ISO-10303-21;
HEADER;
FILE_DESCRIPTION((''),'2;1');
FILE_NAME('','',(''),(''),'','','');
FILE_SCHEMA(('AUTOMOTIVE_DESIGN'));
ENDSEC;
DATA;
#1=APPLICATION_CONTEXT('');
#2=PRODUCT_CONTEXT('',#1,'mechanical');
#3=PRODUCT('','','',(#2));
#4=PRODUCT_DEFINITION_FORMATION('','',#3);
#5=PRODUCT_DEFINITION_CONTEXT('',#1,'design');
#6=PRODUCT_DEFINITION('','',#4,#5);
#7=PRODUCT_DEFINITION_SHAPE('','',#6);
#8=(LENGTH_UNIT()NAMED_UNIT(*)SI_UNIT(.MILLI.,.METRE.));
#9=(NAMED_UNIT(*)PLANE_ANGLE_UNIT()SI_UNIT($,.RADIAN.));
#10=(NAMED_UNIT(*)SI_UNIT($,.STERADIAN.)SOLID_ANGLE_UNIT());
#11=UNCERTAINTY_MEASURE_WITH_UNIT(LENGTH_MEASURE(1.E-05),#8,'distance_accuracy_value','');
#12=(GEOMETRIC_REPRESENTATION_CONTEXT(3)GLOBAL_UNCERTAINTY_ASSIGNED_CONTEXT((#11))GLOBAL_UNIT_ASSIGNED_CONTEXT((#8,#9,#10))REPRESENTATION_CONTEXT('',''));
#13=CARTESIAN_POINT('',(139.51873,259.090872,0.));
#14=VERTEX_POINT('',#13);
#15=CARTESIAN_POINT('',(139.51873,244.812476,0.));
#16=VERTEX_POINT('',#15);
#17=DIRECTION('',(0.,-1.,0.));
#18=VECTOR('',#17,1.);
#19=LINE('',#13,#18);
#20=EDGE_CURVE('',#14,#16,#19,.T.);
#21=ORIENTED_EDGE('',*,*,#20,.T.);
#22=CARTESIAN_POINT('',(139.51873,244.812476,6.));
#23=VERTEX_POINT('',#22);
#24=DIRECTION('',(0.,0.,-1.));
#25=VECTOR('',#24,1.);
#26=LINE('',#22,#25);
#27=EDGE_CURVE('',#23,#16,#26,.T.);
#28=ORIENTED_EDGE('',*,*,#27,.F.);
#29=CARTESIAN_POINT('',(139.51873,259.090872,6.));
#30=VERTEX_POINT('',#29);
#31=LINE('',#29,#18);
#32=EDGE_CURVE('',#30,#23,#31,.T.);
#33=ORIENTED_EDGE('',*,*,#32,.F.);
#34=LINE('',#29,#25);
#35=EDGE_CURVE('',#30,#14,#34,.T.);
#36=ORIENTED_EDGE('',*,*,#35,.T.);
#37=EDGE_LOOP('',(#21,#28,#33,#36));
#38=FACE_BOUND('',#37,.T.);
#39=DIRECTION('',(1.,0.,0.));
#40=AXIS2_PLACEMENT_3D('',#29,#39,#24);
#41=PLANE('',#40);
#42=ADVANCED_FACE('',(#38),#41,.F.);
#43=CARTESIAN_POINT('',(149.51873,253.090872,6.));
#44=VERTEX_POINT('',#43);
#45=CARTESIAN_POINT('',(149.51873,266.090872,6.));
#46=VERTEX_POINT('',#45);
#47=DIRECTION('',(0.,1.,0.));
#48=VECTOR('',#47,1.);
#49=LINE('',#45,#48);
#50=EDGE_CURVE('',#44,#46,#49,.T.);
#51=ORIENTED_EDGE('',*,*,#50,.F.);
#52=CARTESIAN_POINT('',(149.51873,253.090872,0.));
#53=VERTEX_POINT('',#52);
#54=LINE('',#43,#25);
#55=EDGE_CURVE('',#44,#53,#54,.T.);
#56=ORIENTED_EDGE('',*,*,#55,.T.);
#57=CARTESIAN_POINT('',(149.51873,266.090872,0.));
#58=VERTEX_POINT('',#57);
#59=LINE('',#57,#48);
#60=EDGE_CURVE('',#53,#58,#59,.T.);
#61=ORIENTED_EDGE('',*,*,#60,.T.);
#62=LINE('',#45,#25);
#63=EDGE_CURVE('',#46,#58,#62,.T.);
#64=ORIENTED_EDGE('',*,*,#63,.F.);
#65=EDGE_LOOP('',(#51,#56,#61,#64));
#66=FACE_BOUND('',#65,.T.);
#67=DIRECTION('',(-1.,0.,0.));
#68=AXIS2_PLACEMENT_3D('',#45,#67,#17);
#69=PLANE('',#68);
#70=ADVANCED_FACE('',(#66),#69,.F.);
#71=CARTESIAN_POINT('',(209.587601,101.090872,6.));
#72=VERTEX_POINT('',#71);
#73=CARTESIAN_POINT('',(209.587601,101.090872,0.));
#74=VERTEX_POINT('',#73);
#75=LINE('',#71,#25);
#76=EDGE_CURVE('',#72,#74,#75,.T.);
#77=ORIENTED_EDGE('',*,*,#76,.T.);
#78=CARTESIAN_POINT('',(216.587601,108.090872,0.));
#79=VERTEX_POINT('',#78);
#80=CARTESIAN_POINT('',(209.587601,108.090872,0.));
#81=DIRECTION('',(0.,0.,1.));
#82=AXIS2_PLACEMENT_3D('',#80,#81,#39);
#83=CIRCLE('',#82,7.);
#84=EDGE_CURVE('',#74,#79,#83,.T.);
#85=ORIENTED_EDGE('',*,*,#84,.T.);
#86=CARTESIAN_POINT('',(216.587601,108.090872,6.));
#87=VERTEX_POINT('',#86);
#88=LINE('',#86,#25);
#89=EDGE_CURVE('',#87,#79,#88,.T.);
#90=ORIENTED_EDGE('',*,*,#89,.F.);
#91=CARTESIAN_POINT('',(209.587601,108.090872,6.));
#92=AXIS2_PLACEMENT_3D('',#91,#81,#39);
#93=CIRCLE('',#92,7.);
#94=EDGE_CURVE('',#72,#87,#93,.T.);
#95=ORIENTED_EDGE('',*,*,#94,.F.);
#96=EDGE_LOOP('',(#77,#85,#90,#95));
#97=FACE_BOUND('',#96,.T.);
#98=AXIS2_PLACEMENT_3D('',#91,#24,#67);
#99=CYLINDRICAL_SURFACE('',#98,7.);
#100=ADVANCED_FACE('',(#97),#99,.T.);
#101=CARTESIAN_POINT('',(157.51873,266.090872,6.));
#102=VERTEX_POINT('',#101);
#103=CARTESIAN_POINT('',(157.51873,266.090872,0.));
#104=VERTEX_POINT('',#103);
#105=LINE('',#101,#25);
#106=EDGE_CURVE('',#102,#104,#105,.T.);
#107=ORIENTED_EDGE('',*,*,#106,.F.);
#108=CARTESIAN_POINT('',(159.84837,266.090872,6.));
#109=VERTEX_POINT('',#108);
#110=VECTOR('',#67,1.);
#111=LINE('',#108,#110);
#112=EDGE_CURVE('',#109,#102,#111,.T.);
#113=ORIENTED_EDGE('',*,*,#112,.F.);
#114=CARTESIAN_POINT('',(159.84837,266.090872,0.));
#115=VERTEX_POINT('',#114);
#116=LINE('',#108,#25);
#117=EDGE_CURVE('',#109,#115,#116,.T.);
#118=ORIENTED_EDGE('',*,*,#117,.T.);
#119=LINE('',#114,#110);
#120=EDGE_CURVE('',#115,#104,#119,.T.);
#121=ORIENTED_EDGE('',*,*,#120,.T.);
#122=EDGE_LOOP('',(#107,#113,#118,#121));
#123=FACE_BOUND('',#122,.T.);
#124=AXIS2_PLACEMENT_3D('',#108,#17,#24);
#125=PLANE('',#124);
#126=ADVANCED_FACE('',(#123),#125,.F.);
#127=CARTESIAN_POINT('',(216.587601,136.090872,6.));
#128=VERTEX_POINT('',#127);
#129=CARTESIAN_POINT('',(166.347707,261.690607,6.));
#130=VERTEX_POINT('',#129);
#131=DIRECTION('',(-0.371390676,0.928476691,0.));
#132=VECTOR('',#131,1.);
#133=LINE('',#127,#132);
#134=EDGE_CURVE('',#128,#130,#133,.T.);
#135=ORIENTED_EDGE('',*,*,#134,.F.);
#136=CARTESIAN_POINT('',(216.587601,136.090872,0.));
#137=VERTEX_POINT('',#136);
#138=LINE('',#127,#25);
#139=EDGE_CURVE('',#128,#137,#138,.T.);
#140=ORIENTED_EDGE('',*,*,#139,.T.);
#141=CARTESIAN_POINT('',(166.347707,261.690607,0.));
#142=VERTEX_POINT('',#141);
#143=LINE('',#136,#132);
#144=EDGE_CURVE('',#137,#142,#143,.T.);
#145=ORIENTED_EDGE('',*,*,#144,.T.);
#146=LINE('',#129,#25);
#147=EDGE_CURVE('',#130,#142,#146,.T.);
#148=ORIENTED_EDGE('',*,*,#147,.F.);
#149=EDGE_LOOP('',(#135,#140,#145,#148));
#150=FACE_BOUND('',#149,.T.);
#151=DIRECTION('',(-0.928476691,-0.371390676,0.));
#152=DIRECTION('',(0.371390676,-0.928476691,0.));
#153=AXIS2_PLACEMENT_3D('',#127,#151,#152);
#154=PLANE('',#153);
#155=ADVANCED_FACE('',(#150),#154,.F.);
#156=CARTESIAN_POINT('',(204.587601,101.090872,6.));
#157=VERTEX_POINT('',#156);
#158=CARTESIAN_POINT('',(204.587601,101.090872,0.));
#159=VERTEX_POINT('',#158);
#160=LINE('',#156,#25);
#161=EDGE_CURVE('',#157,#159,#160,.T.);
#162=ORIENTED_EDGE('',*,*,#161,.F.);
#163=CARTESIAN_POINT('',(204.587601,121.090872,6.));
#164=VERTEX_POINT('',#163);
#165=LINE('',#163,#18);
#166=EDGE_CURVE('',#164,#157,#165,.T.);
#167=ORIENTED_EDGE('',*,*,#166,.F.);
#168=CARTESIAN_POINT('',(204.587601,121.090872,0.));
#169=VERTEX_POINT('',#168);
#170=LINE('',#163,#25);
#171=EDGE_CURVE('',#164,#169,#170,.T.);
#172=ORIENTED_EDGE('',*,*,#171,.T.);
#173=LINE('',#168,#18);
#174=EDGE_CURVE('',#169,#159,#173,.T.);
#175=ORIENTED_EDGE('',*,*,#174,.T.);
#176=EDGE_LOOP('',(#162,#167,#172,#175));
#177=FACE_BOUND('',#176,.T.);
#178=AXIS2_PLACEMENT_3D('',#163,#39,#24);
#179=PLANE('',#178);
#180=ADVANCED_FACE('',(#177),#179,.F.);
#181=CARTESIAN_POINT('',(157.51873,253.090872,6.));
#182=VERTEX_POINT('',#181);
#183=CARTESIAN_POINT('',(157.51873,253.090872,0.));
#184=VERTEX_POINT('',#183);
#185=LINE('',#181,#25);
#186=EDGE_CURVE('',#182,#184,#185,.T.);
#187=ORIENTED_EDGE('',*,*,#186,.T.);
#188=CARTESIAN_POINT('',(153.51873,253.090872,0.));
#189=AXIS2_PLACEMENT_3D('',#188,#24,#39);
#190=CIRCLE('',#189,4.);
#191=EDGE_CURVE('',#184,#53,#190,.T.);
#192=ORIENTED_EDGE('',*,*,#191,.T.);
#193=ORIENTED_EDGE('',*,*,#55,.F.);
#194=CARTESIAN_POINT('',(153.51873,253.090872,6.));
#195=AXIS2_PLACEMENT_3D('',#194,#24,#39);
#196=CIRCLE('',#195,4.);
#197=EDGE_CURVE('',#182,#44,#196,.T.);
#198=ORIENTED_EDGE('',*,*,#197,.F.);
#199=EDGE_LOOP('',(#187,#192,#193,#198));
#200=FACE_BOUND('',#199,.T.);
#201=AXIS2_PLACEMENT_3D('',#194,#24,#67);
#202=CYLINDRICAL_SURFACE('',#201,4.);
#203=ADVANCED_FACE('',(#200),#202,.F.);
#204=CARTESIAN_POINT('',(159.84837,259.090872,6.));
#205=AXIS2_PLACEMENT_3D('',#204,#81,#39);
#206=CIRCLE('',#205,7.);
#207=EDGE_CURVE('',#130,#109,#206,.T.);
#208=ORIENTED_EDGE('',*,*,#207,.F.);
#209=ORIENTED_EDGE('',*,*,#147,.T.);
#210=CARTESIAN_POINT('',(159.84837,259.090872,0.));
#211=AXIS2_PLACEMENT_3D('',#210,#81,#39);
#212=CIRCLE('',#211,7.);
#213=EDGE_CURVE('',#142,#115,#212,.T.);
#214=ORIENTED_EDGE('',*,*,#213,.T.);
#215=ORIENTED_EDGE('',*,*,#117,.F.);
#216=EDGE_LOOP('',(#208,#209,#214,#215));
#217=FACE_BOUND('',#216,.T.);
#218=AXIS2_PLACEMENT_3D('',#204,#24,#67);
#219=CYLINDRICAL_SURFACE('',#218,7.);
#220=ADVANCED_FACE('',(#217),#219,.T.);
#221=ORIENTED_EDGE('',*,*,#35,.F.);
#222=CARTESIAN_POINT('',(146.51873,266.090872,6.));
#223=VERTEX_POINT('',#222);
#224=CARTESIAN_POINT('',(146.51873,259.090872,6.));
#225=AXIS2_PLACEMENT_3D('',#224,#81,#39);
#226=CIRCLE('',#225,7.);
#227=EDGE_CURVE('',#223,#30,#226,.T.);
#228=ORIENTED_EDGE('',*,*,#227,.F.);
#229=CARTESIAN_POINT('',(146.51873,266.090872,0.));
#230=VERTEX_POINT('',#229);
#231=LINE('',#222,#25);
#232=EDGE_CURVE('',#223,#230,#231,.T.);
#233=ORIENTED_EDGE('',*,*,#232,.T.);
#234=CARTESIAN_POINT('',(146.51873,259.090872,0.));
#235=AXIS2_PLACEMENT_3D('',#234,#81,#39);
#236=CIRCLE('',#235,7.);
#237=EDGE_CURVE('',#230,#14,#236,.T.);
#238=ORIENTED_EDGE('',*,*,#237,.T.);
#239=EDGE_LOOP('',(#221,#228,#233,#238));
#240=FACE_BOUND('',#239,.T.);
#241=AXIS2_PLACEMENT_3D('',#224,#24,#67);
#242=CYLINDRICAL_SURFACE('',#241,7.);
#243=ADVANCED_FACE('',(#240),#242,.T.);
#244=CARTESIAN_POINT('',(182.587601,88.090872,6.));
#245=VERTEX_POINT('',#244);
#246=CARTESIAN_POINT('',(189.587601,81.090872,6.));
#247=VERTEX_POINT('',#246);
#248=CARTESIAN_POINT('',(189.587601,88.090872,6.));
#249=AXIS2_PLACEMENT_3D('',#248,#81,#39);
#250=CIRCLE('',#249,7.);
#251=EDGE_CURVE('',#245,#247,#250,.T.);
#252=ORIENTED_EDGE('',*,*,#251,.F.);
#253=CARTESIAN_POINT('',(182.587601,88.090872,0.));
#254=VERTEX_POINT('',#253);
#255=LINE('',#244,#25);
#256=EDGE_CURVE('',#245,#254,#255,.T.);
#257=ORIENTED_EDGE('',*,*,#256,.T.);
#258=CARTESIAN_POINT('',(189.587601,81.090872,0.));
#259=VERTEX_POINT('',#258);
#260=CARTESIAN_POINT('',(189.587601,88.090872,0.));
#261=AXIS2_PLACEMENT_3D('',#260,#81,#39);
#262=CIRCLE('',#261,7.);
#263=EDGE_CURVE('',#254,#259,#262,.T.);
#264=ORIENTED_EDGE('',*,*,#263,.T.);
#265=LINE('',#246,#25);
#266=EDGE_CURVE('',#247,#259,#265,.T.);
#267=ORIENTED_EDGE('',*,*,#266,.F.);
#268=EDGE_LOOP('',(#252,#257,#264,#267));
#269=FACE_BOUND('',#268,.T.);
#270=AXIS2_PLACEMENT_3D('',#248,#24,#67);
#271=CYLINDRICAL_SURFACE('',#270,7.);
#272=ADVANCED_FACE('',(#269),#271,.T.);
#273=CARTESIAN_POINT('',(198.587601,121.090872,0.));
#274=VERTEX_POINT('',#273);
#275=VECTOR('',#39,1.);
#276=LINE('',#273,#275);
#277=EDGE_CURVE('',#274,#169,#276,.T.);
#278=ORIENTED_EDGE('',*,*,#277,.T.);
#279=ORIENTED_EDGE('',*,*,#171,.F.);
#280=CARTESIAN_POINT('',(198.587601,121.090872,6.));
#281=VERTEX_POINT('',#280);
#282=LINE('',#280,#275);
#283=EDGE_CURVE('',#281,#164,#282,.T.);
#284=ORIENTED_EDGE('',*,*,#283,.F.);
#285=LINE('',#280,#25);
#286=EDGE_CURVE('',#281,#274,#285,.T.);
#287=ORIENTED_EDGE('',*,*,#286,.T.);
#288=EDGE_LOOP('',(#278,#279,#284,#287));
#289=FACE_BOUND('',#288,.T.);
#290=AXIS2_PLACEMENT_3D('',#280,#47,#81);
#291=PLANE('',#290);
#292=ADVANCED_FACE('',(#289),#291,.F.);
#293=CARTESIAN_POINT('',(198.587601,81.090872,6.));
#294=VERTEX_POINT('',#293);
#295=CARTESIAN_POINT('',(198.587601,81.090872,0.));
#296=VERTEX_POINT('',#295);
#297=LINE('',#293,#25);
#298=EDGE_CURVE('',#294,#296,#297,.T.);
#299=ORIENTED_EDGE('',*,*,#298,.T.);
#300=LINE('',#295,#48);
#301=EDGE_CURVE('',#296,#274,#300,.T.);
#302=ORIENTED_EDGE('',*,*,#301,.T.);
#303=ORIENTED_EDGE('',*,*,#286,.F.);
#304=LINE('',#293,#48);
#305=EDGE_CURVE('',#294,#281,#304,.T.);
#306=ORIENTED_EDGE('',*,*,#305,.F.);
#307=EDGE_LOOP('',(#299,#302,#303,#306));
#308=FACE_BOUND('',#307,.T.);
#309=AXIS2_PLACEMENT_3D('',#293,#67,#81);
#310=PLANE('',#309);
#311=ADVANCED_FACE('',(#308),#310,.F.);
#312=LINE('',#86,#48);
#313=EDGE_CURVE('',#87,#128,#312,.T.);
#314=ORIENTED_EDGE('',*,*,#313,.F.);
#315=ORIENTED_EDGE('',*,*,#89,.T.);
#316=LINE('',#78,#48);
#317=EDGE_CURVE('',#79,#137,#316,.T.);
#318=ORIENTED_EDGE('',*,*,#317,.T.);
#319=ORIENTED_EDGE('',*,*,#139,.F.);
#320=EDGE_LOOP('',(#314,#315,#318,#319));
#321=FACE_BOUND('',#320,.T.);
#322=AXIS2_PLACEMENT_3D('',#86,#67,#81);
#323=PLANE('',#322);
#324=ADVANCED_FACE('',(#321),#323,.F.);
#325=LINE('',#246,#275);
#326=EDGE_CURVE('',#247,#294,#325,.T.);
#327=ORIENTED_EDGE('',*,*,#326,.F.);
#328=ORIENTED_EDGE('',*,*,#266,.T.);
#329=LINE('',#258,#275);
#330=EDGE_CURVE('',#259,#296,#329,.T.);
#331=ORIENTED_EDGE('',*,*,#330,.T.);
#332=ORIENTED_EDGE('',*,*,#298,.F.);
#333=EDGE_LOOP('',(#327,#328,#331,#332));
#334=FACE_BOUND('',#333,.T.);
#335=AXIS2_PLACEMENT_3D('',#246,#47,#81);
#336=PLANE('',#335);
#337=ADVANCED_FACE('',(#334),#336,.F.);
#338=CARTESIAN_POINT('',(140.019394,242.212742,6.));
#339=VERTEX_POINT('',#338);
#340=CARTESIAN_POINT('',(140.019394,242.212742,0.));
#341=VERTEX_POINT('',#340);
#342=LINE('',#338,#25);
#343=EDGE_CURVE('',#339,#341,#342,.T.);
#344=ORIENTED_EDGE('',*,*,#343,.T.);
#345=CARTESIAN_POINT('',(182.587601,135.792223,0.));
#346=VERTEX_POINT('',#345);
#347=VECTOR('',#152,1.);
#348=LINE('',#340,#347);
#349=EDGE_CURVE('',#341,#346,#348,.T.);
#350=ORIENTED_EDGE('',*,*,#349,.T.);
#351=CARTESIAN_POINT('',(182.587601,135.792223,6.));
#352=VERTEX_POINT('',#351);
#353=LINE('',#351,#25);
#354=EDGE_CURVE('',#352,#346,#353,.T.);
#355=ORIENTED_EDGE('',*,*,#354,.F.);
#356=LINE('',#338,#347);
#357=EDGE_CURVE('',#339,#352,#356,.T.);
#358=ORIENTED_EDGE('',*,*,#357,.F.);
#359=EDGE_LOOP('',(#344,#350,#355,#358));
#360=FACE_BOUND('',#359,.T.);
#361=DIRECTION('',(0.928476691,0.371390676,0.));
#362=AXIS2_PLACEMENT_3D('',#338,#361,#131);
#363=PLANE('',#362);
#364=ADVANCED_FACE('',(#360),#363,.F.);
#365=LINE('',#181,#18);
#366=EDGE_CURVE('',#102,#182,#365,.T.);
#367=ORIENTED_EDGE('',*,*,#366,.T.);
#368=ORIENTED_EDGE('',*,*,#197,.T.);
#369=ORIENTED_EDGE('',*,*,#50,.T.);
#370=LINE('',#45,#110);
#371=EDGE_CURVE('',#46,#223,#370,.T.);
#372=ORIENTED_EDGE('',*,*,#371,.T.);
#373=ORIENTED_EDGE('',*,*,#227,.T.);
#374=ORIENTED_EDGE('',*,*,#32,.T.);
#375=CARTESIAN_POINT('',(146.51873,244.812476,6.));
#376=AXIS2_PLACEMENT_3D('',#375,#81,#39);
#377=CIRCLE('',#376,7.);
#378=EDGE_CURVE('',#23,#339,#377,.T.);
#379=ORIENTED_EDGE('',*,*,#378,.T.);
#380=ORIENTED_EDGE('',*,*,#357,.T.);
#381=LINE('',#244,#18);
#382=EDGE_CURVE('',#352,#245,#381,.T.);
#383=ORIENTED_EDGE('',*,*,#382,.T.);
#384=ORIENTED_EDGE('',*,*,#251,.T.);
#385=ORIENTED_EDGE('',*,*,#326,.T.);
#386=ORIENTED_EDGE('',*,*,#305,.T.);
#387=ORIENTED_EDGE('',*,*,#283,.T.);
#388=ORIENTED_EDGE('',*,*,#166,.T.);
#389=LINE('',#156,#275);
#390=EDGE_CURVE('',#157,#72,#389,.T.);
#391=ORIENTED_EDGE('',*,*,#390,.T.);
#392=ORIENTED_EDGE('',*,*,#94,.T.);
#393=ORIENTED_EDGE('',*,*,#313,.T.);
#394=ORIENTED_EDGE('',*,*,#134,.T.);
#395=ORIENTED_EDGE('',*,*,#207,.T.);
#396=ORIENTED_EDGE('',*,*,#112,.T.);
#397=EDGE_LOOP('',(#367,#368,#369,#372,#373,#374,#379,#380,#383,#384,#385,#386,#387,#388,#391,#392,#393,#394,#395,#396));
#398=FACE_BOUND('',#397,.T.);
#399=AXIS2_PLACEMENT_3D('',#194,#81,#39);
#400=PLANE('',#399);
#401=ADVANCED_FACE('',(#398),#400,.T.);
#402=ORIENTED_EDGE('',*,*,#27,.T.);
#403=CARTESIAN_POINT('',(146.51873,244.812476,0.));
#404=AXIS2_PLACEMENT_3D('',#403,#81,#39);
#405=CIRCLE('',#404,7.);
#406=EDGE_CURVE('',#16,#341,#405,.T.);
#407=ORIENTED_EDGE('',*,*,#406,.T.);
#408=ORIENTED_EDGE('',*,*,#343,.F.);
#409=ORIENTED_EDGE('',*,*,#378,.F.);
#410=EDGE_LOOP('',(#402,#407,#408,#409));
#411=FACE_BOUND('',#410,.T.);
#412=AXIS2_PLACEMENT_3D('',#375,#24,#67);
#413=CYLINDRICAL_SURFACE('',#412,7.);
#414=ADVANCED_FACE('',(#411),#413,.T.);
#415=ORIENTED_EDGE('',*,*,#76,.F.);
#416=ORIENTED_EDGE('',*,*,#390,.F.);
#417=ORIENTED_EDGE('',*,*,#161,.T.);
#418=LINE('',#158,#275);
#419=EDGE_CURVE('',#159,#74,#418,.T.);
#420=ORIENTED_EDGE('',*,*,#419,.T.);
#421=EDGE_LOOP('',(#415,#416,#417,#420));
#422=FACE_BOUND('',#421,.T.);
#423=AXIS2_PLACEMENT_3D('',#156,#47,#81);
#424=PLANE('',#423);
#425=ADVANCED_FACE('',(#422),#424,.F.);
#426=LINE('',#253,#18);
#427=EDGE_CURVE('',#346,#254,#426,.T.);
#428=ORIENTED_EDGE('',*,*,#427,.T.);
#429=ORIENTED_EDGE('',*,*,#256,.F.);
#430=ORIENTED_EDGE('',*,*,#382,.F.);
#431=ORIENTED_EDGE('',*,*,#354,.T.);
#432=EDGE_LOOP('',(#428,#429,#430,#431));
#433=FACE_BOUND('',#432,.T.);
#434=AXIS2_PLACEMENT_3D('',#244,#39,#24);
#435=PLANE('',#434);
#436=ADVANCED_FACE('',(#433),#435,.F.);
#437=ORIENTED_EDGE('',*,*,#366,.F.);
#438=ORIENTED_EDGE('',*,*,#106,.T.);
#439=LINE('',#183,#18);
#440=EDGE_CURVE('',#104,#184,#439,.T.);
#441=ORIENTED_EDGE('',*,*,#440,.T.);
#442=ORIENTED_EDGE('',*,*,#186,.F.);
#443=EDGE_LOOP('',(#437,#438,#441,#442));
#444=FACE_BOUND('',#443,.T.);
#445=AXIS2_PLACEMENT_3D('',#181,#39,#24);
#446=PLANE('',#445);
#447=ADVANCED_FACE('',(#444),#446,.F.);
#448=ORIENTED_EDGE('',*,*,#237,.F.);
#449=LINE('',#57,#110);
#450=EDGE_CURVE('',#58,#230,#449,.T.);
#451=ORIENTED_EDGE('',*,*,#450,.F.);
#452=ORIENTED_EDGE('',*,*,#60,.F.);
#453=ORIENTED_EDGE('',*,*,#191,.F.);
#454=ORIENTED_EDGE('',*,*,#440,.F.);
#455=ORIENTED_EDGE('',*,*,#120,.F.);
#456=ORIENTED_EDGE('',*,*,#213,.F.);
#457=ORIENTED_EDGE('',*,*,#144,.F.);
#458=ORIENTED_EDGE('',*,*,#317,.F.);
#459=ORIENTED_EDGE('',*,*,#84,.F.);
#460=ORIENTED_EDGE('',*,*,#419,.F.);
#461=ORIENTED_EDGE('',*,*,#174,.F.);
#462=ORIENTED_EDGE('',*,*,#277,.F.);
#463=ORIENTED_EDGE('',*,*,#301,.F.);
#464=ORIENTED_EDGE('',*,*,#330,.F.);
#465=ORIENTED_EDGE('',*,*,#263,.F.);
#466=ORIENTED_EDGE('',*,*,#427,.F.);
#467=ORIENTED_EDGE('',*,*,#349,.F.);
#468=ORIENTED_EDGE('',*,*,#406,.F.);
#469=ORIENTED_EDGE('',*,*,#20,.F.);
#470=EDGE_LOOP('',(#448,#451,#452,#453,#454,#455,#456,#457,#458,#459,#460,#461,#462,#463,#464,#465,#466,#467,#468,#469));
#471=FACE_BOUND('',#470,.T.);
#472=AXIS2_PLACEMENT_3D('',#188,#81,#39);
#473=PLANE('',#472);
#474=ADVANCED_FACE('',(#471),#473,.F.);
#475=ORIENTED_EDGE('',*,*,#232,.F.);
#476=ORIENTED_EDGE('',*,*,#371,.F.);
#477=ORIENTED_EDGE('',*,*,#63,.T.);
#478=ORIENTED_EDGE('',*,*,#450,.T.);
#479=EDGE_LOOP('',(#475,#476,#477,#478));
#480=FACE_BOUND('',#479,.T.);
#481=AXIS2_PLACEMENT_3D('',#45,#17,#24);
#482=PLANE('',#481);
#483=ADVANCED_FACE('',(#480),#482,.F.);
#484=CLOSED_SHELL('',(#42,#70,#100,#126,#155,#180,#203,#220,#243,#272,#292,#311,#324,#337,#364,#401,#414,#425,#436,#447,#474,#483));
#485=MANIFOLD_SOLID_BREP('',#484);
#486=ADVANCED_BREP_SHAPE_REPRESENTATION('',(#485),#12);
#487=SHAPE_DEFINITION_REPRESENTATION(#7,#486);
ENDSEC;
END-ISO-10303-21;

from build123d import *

# Parameters (mm, degrees)
RESSALTO_EXTRUS_O1_DEPTH = 6


with BuildPart() as part:
    # Model → Ressalto-extrusão1 (new body)
    with BuildSketch(Plane.XY):
        with BuildLine():
            Line((216.587601096, 108.090872109), (216.587601096, 136.090872109))
            Line((216.587601096, 136.090872109), (166.347707202, 261.690606843))
            ThreePointArc((166.347707202, 261.690606843), (163.772772031, 264.887342722), (159.848370366, 266.090872109))
            Line((159.848370366, 266.090872109), (157.518730442, 266.090872109))
            Line((157.518730442, 266.090872109), (157.518730442, 253.090872109))
            ThreePointArc((157.518730442, 253.090872109), (153.518730442, 249.090872109), (149.518730442, 253.090872109))
            Line((149.518730442, 253.090872109), (149.518730442, 266.090872109))
            Line((149.518730442, 266.090872109), (146.518730442, 266.090872109))
            ThreePointArc((146.518730442, 266.090872109), (141.568982974, 264.040619577), (139.518730442, 259.090872109))
            Line((139.518730442, 259.090872109), (139.518730442, 244.812476299))
            ThreePointArc((139.518730442, 244.812476299), (139.645035735, 243.488723651), (140.019393606, 242.212741564))
            Line((140.019393606, 242.212741564), (182.587601096, 135.792222839))
            Line((182.587601096, 135.792222839), (182.587601096, 88.090872109))
            ThreePointArc((182.587601096, 88.090872109), (184.637853628, 83.141124641), (189.587601096, 81.090872109))
            Line((189.587601096, 81.090872109), (198.587601096, 81.090872109))
            Line((198.587601096, 81.090872109), (198.587601096, 121.090872109))
            Line((198.587601096, 121.090872109), (204.587601096, 121.090872109))
            Line((204.587601096, 121.090872109), (204.587601096, 101.090872109))
            Line((204.587601096, 101.090872109), (209.587601096, 101.090872109))
            ThreePointArc((209.587601096, 101.090872109), (214.537348564, 103.141124641), (216.587601096, 108.090872109))
        make_face()
    extrude(amount=RESSALTO_EXTRUS_O1_DEPTH)


solid = part.part
